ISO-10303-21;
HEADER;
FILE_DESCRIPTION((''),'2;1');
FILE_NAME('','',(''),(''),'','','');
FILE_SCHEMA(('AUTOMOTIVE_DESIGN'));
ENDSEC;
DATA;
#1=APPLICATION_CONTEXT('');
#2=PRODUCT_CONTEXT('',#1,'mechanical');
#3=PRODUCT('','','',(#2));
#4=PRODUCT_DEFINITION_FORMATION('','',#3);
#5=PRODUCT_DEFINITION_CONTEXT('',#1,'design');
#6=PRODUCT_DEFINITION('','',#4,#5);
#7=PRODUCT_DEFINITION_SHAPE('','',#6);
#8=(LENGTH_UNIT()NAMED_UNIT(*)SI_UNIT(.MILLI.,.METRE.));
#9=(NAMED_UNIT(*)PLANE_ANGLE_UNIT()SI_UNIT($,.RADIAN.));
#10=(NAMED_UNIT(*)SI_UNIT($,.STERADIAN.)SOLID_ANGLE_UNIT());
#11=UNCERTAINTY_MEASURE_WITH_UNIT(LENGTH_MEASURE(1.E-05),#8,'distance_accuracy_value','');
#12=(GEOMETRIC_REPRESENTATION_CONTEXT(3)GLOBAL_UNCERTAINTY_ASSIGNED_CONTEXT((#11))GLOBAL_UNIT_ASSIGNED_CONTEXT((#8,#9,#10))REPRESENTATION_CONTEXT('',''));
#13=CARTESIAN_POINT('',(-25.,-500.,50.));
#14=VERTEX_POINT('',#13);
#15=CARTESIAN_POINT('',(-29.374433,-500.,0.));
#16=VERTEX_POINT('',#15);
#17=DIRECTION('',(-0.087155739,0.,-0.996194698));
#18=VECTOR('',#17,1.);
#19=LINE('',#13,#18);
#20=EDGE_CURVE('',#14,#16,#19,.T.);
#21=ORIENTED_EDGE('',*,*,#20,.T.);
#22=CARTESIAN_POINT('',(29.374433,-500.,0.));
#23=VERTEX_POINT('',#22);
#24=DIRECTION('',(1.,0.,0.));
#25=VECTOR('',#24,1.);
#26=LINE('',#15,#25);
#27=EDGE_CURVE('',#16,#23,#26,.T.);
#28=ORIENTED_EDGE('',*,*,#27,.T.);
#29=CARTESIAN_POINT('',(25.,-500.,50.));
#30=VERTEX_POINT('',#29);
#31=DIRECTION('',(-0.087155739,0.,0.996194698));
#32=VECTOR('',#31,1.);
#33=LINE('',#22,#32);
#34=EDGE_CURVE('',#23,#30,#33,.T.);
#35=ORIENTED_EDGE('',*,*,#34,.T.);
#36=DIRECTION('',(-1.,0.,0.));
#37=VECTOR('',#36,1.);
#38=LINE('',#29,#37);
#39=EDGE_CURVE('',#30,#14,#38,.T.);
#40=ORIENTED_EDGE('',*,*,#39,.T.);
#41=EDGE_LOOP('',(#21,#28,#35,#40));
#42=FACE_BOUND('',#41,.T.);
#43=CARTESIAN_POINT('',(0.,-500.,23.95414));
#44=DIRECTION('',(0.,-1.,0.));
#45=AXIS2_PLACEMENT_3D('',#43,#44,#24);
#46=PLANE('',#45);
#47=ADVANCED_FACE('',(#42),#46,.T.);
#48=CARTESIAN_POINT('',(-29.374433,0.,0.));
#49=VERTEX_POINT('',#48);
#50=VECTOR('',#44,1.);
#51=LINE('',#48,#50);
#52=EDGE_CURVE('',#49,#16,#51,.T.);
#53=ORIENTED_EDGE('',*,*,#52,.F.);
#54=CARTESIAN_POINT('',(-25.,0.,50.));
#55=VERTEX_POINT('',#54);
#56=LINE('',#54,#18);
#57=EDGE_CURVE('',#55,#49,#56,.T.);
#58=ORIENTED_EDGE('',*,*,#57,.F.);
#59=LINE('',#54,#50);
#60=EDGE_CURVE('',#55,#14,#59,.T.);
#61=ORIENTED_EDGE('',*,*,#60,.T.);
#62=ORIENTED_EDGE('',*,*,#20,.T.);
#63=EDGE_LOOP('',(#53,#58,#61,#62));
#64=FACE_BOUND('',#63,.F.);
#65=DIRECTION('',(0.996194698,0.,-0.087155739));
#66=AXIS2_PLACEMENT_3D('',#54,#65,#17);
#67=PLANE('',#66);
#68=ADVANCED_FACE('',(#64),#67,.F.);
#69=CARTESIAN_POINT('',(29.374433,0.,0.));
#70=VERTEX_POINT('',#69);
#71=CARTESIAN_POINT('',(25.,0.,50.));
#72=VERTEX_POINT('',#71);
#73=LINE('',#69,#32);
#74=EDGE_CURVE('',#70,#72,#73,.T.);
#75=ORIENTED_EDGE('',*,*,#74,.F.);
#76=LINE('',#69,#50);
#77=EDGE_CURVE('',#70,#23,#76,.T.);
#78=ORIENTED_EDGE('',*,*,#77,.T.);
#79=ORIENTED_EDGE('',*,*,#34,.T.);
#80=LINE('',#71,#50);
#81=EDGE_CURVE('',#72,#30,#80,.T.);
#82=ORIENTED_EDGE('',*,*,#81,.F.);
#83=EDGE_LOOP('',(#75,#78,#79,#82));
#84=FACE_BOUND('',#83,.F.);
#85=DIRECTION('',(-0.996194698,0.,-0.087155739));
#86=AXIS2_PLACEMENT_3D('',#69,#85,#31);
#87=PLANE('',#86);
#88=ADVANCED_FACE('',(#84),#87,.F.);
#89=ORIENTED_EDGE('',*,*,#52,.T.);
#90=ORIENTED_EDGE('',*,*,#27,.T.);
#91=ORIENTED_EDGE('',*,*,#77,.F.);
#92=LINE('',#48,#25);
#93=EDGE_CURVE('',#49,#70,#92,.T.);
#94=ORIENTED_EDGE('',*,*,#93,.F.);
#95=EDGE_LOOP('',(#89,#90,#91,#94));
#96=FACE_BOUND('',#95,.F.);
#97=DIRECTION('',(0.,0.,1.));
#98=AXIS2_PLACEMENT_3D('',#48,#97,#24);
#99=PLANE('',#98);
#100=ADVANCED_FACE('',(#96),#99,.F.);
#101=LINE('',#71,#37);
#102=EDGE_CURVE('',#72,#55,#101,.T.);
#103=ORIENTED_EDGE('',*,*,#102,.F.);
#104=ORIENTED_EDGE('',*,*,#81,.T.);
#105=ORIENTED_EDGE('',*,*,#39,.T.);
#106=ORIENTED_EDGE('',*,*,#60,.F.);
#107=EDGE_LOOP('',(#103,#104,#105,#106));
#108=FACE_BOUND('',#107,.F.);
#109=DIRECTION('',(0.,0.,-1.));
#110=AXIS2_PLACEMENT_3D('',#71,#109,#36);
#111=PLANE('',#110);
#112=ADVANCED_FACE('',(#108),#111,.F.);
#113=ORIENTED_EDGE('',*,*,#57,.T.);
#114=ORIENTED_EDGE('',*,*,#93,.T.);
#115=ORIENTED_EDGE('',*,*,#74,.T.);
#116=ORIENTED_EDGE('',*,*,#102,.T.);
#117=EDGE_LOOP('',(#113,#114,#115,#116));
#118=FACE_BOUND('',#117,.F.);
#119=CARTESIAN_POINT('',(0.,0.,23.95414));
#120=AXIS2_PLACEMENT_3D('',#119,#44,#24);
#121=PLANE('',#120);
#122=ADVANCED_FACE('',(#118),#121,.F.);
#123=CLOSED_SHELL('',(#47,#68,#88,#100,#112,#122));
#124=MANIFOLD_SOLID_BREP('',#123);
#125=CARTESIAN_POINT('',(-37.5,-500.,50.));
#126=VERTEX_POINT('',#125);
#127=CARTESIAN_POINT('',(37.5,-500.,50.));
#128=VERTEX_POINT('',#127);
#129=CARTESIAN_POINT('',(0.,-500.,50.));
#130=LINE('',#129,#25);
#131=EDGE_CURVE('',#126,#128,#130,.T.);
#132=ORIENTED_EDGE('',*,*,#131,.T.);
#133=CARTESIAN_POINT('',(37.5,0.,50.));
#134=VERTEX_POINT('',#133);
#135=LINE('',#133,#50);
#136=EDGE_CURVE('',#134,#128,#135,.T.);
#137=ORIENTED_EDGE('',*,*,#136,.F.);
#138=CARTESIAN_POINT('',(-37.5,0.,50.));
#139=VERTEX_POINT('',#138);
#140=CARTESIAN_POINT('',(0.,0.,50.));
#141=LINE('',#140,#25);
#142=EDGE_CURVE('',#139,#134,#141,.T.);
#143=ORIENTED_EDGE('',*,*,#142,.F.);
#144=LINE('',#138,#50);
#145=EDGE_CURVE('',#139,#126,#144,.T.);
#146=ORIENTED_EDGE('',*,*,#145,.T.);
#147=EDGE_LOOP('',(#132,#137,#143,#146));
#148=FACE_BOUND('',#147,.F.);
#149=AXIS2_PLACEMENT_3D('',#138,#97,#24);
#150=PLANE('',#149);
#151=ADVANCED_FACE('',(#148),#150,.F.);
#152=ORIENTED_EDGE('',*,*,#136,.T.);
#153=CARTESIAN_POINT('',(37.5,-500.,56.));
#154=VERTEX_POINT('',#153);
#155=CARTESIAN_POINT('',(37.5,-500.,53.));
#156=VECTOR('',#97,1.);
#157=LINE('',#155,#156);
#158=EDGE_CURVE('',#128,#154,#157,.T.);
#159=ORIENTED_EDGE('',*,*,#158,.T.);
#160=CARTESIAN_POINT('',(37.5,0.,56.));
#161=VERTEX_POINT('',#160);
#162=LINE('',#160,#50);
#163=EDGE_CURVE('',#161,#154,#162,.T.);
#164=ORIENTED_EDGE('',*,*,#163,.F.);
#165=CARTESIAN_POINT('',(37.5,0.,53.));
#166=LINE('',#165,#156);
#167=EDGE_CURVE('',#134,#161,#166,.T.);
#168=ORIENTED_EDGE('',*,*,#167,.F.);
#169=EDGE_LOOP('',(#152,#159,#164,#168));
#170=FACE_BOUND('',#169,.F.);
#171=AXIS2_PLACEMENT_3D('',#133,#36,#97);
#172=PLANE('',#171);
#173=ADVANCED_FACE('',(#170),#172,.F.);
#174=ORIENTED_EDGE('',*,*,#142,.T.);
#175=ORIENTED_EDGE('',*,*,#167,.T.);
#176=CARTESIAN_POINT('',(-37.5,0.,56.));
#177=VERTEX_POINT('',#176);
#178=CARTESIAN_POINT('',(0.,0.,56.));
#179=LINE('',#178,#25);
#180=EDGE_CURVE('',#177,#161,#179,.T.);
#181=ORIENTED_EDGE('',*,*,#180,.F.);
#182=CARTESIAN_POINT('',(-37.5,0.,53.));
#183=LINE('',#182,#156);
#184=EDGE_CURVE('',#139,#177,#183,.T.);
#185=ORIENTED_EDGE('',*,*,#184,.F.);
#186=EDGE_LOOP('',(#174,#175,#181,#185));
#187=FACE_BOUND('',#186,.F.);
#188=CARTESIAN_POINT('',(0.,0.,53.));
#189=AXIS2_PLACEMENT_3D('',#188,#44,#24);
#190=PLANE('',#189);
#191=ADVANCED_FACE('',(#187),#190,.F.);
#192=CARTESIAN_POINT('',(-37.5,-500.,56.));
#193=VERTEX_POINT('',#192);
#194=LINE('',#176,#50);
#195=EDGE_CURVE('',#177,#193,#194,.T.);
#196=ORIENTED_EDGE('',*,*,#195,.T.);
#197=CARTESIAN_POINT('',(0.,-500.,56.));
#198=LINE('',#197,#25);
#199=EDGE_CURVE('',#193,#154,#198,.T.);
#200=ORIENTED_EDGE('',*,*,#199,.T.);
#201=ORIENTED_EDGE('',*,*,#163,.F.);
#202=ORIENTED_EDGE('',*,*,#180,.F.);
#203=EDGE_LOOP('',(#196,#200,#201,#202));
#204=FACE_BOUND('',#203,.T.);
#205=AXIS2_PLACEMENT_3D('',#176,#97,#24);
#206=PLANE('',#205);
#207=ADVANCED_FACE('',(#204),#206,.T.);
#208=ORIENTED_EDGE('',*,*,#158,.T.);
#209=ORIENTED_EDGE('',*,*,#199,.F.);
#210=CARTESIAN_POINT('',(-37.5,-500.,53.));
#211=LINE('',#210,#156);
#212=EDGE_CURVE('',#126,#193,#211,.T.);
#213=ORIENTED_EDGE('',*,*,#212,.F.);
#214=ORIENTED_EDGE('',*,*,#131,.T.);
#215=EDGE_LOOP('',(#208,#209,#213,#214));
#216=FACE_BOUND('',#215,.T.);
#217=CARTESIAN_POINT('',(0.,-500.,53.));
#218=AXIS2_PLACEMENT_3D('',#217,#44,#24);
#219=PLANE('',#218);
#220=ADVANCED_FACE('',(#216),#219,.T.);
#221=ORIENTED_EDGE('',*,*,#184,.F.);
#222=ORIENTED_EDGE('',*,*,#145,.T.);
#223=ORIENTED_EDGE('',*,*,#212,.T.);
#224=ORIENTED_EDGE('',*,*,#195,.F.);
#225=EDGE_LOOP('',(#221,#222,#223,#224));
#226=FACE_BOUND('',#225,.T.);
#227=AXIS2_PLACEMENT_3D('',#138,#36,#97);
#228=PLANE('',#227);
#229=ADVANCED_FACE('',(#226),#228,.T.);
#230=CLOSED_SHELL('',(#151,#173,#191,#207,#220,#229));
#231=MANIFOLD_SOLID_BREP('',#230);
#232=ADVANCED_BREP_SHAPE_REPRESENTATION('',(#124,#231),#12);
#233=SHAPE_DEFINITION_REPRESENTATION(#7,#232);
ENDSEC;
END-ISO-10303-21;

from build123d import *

# Parameters (mm, degrees)
F1_DEPTH = 500
F2_W     = 75
F2_H     = 6
F3_DEPTH = 500


with BuildPart() as f1:
    # F0 (on Front) → F1 (new body)
    with BuildSketch(Plane.XZ):
        Polygon((-25, 50), (-29.374433, 0), (29.374433, 0), (25, 50), align=None)
    extrude(amount=F1_DEPTH)


with BuildPart() as f3:
    # F2 (on Front) → F3 (new body)
    with BuildSketch(Plane.XZ):
        with Locations((0, 53)):
            Rectangle(F2_W, F2_H)
    extrude(amount=F3_DEPTH)


solid = Compound([f1.part, f3.part])
